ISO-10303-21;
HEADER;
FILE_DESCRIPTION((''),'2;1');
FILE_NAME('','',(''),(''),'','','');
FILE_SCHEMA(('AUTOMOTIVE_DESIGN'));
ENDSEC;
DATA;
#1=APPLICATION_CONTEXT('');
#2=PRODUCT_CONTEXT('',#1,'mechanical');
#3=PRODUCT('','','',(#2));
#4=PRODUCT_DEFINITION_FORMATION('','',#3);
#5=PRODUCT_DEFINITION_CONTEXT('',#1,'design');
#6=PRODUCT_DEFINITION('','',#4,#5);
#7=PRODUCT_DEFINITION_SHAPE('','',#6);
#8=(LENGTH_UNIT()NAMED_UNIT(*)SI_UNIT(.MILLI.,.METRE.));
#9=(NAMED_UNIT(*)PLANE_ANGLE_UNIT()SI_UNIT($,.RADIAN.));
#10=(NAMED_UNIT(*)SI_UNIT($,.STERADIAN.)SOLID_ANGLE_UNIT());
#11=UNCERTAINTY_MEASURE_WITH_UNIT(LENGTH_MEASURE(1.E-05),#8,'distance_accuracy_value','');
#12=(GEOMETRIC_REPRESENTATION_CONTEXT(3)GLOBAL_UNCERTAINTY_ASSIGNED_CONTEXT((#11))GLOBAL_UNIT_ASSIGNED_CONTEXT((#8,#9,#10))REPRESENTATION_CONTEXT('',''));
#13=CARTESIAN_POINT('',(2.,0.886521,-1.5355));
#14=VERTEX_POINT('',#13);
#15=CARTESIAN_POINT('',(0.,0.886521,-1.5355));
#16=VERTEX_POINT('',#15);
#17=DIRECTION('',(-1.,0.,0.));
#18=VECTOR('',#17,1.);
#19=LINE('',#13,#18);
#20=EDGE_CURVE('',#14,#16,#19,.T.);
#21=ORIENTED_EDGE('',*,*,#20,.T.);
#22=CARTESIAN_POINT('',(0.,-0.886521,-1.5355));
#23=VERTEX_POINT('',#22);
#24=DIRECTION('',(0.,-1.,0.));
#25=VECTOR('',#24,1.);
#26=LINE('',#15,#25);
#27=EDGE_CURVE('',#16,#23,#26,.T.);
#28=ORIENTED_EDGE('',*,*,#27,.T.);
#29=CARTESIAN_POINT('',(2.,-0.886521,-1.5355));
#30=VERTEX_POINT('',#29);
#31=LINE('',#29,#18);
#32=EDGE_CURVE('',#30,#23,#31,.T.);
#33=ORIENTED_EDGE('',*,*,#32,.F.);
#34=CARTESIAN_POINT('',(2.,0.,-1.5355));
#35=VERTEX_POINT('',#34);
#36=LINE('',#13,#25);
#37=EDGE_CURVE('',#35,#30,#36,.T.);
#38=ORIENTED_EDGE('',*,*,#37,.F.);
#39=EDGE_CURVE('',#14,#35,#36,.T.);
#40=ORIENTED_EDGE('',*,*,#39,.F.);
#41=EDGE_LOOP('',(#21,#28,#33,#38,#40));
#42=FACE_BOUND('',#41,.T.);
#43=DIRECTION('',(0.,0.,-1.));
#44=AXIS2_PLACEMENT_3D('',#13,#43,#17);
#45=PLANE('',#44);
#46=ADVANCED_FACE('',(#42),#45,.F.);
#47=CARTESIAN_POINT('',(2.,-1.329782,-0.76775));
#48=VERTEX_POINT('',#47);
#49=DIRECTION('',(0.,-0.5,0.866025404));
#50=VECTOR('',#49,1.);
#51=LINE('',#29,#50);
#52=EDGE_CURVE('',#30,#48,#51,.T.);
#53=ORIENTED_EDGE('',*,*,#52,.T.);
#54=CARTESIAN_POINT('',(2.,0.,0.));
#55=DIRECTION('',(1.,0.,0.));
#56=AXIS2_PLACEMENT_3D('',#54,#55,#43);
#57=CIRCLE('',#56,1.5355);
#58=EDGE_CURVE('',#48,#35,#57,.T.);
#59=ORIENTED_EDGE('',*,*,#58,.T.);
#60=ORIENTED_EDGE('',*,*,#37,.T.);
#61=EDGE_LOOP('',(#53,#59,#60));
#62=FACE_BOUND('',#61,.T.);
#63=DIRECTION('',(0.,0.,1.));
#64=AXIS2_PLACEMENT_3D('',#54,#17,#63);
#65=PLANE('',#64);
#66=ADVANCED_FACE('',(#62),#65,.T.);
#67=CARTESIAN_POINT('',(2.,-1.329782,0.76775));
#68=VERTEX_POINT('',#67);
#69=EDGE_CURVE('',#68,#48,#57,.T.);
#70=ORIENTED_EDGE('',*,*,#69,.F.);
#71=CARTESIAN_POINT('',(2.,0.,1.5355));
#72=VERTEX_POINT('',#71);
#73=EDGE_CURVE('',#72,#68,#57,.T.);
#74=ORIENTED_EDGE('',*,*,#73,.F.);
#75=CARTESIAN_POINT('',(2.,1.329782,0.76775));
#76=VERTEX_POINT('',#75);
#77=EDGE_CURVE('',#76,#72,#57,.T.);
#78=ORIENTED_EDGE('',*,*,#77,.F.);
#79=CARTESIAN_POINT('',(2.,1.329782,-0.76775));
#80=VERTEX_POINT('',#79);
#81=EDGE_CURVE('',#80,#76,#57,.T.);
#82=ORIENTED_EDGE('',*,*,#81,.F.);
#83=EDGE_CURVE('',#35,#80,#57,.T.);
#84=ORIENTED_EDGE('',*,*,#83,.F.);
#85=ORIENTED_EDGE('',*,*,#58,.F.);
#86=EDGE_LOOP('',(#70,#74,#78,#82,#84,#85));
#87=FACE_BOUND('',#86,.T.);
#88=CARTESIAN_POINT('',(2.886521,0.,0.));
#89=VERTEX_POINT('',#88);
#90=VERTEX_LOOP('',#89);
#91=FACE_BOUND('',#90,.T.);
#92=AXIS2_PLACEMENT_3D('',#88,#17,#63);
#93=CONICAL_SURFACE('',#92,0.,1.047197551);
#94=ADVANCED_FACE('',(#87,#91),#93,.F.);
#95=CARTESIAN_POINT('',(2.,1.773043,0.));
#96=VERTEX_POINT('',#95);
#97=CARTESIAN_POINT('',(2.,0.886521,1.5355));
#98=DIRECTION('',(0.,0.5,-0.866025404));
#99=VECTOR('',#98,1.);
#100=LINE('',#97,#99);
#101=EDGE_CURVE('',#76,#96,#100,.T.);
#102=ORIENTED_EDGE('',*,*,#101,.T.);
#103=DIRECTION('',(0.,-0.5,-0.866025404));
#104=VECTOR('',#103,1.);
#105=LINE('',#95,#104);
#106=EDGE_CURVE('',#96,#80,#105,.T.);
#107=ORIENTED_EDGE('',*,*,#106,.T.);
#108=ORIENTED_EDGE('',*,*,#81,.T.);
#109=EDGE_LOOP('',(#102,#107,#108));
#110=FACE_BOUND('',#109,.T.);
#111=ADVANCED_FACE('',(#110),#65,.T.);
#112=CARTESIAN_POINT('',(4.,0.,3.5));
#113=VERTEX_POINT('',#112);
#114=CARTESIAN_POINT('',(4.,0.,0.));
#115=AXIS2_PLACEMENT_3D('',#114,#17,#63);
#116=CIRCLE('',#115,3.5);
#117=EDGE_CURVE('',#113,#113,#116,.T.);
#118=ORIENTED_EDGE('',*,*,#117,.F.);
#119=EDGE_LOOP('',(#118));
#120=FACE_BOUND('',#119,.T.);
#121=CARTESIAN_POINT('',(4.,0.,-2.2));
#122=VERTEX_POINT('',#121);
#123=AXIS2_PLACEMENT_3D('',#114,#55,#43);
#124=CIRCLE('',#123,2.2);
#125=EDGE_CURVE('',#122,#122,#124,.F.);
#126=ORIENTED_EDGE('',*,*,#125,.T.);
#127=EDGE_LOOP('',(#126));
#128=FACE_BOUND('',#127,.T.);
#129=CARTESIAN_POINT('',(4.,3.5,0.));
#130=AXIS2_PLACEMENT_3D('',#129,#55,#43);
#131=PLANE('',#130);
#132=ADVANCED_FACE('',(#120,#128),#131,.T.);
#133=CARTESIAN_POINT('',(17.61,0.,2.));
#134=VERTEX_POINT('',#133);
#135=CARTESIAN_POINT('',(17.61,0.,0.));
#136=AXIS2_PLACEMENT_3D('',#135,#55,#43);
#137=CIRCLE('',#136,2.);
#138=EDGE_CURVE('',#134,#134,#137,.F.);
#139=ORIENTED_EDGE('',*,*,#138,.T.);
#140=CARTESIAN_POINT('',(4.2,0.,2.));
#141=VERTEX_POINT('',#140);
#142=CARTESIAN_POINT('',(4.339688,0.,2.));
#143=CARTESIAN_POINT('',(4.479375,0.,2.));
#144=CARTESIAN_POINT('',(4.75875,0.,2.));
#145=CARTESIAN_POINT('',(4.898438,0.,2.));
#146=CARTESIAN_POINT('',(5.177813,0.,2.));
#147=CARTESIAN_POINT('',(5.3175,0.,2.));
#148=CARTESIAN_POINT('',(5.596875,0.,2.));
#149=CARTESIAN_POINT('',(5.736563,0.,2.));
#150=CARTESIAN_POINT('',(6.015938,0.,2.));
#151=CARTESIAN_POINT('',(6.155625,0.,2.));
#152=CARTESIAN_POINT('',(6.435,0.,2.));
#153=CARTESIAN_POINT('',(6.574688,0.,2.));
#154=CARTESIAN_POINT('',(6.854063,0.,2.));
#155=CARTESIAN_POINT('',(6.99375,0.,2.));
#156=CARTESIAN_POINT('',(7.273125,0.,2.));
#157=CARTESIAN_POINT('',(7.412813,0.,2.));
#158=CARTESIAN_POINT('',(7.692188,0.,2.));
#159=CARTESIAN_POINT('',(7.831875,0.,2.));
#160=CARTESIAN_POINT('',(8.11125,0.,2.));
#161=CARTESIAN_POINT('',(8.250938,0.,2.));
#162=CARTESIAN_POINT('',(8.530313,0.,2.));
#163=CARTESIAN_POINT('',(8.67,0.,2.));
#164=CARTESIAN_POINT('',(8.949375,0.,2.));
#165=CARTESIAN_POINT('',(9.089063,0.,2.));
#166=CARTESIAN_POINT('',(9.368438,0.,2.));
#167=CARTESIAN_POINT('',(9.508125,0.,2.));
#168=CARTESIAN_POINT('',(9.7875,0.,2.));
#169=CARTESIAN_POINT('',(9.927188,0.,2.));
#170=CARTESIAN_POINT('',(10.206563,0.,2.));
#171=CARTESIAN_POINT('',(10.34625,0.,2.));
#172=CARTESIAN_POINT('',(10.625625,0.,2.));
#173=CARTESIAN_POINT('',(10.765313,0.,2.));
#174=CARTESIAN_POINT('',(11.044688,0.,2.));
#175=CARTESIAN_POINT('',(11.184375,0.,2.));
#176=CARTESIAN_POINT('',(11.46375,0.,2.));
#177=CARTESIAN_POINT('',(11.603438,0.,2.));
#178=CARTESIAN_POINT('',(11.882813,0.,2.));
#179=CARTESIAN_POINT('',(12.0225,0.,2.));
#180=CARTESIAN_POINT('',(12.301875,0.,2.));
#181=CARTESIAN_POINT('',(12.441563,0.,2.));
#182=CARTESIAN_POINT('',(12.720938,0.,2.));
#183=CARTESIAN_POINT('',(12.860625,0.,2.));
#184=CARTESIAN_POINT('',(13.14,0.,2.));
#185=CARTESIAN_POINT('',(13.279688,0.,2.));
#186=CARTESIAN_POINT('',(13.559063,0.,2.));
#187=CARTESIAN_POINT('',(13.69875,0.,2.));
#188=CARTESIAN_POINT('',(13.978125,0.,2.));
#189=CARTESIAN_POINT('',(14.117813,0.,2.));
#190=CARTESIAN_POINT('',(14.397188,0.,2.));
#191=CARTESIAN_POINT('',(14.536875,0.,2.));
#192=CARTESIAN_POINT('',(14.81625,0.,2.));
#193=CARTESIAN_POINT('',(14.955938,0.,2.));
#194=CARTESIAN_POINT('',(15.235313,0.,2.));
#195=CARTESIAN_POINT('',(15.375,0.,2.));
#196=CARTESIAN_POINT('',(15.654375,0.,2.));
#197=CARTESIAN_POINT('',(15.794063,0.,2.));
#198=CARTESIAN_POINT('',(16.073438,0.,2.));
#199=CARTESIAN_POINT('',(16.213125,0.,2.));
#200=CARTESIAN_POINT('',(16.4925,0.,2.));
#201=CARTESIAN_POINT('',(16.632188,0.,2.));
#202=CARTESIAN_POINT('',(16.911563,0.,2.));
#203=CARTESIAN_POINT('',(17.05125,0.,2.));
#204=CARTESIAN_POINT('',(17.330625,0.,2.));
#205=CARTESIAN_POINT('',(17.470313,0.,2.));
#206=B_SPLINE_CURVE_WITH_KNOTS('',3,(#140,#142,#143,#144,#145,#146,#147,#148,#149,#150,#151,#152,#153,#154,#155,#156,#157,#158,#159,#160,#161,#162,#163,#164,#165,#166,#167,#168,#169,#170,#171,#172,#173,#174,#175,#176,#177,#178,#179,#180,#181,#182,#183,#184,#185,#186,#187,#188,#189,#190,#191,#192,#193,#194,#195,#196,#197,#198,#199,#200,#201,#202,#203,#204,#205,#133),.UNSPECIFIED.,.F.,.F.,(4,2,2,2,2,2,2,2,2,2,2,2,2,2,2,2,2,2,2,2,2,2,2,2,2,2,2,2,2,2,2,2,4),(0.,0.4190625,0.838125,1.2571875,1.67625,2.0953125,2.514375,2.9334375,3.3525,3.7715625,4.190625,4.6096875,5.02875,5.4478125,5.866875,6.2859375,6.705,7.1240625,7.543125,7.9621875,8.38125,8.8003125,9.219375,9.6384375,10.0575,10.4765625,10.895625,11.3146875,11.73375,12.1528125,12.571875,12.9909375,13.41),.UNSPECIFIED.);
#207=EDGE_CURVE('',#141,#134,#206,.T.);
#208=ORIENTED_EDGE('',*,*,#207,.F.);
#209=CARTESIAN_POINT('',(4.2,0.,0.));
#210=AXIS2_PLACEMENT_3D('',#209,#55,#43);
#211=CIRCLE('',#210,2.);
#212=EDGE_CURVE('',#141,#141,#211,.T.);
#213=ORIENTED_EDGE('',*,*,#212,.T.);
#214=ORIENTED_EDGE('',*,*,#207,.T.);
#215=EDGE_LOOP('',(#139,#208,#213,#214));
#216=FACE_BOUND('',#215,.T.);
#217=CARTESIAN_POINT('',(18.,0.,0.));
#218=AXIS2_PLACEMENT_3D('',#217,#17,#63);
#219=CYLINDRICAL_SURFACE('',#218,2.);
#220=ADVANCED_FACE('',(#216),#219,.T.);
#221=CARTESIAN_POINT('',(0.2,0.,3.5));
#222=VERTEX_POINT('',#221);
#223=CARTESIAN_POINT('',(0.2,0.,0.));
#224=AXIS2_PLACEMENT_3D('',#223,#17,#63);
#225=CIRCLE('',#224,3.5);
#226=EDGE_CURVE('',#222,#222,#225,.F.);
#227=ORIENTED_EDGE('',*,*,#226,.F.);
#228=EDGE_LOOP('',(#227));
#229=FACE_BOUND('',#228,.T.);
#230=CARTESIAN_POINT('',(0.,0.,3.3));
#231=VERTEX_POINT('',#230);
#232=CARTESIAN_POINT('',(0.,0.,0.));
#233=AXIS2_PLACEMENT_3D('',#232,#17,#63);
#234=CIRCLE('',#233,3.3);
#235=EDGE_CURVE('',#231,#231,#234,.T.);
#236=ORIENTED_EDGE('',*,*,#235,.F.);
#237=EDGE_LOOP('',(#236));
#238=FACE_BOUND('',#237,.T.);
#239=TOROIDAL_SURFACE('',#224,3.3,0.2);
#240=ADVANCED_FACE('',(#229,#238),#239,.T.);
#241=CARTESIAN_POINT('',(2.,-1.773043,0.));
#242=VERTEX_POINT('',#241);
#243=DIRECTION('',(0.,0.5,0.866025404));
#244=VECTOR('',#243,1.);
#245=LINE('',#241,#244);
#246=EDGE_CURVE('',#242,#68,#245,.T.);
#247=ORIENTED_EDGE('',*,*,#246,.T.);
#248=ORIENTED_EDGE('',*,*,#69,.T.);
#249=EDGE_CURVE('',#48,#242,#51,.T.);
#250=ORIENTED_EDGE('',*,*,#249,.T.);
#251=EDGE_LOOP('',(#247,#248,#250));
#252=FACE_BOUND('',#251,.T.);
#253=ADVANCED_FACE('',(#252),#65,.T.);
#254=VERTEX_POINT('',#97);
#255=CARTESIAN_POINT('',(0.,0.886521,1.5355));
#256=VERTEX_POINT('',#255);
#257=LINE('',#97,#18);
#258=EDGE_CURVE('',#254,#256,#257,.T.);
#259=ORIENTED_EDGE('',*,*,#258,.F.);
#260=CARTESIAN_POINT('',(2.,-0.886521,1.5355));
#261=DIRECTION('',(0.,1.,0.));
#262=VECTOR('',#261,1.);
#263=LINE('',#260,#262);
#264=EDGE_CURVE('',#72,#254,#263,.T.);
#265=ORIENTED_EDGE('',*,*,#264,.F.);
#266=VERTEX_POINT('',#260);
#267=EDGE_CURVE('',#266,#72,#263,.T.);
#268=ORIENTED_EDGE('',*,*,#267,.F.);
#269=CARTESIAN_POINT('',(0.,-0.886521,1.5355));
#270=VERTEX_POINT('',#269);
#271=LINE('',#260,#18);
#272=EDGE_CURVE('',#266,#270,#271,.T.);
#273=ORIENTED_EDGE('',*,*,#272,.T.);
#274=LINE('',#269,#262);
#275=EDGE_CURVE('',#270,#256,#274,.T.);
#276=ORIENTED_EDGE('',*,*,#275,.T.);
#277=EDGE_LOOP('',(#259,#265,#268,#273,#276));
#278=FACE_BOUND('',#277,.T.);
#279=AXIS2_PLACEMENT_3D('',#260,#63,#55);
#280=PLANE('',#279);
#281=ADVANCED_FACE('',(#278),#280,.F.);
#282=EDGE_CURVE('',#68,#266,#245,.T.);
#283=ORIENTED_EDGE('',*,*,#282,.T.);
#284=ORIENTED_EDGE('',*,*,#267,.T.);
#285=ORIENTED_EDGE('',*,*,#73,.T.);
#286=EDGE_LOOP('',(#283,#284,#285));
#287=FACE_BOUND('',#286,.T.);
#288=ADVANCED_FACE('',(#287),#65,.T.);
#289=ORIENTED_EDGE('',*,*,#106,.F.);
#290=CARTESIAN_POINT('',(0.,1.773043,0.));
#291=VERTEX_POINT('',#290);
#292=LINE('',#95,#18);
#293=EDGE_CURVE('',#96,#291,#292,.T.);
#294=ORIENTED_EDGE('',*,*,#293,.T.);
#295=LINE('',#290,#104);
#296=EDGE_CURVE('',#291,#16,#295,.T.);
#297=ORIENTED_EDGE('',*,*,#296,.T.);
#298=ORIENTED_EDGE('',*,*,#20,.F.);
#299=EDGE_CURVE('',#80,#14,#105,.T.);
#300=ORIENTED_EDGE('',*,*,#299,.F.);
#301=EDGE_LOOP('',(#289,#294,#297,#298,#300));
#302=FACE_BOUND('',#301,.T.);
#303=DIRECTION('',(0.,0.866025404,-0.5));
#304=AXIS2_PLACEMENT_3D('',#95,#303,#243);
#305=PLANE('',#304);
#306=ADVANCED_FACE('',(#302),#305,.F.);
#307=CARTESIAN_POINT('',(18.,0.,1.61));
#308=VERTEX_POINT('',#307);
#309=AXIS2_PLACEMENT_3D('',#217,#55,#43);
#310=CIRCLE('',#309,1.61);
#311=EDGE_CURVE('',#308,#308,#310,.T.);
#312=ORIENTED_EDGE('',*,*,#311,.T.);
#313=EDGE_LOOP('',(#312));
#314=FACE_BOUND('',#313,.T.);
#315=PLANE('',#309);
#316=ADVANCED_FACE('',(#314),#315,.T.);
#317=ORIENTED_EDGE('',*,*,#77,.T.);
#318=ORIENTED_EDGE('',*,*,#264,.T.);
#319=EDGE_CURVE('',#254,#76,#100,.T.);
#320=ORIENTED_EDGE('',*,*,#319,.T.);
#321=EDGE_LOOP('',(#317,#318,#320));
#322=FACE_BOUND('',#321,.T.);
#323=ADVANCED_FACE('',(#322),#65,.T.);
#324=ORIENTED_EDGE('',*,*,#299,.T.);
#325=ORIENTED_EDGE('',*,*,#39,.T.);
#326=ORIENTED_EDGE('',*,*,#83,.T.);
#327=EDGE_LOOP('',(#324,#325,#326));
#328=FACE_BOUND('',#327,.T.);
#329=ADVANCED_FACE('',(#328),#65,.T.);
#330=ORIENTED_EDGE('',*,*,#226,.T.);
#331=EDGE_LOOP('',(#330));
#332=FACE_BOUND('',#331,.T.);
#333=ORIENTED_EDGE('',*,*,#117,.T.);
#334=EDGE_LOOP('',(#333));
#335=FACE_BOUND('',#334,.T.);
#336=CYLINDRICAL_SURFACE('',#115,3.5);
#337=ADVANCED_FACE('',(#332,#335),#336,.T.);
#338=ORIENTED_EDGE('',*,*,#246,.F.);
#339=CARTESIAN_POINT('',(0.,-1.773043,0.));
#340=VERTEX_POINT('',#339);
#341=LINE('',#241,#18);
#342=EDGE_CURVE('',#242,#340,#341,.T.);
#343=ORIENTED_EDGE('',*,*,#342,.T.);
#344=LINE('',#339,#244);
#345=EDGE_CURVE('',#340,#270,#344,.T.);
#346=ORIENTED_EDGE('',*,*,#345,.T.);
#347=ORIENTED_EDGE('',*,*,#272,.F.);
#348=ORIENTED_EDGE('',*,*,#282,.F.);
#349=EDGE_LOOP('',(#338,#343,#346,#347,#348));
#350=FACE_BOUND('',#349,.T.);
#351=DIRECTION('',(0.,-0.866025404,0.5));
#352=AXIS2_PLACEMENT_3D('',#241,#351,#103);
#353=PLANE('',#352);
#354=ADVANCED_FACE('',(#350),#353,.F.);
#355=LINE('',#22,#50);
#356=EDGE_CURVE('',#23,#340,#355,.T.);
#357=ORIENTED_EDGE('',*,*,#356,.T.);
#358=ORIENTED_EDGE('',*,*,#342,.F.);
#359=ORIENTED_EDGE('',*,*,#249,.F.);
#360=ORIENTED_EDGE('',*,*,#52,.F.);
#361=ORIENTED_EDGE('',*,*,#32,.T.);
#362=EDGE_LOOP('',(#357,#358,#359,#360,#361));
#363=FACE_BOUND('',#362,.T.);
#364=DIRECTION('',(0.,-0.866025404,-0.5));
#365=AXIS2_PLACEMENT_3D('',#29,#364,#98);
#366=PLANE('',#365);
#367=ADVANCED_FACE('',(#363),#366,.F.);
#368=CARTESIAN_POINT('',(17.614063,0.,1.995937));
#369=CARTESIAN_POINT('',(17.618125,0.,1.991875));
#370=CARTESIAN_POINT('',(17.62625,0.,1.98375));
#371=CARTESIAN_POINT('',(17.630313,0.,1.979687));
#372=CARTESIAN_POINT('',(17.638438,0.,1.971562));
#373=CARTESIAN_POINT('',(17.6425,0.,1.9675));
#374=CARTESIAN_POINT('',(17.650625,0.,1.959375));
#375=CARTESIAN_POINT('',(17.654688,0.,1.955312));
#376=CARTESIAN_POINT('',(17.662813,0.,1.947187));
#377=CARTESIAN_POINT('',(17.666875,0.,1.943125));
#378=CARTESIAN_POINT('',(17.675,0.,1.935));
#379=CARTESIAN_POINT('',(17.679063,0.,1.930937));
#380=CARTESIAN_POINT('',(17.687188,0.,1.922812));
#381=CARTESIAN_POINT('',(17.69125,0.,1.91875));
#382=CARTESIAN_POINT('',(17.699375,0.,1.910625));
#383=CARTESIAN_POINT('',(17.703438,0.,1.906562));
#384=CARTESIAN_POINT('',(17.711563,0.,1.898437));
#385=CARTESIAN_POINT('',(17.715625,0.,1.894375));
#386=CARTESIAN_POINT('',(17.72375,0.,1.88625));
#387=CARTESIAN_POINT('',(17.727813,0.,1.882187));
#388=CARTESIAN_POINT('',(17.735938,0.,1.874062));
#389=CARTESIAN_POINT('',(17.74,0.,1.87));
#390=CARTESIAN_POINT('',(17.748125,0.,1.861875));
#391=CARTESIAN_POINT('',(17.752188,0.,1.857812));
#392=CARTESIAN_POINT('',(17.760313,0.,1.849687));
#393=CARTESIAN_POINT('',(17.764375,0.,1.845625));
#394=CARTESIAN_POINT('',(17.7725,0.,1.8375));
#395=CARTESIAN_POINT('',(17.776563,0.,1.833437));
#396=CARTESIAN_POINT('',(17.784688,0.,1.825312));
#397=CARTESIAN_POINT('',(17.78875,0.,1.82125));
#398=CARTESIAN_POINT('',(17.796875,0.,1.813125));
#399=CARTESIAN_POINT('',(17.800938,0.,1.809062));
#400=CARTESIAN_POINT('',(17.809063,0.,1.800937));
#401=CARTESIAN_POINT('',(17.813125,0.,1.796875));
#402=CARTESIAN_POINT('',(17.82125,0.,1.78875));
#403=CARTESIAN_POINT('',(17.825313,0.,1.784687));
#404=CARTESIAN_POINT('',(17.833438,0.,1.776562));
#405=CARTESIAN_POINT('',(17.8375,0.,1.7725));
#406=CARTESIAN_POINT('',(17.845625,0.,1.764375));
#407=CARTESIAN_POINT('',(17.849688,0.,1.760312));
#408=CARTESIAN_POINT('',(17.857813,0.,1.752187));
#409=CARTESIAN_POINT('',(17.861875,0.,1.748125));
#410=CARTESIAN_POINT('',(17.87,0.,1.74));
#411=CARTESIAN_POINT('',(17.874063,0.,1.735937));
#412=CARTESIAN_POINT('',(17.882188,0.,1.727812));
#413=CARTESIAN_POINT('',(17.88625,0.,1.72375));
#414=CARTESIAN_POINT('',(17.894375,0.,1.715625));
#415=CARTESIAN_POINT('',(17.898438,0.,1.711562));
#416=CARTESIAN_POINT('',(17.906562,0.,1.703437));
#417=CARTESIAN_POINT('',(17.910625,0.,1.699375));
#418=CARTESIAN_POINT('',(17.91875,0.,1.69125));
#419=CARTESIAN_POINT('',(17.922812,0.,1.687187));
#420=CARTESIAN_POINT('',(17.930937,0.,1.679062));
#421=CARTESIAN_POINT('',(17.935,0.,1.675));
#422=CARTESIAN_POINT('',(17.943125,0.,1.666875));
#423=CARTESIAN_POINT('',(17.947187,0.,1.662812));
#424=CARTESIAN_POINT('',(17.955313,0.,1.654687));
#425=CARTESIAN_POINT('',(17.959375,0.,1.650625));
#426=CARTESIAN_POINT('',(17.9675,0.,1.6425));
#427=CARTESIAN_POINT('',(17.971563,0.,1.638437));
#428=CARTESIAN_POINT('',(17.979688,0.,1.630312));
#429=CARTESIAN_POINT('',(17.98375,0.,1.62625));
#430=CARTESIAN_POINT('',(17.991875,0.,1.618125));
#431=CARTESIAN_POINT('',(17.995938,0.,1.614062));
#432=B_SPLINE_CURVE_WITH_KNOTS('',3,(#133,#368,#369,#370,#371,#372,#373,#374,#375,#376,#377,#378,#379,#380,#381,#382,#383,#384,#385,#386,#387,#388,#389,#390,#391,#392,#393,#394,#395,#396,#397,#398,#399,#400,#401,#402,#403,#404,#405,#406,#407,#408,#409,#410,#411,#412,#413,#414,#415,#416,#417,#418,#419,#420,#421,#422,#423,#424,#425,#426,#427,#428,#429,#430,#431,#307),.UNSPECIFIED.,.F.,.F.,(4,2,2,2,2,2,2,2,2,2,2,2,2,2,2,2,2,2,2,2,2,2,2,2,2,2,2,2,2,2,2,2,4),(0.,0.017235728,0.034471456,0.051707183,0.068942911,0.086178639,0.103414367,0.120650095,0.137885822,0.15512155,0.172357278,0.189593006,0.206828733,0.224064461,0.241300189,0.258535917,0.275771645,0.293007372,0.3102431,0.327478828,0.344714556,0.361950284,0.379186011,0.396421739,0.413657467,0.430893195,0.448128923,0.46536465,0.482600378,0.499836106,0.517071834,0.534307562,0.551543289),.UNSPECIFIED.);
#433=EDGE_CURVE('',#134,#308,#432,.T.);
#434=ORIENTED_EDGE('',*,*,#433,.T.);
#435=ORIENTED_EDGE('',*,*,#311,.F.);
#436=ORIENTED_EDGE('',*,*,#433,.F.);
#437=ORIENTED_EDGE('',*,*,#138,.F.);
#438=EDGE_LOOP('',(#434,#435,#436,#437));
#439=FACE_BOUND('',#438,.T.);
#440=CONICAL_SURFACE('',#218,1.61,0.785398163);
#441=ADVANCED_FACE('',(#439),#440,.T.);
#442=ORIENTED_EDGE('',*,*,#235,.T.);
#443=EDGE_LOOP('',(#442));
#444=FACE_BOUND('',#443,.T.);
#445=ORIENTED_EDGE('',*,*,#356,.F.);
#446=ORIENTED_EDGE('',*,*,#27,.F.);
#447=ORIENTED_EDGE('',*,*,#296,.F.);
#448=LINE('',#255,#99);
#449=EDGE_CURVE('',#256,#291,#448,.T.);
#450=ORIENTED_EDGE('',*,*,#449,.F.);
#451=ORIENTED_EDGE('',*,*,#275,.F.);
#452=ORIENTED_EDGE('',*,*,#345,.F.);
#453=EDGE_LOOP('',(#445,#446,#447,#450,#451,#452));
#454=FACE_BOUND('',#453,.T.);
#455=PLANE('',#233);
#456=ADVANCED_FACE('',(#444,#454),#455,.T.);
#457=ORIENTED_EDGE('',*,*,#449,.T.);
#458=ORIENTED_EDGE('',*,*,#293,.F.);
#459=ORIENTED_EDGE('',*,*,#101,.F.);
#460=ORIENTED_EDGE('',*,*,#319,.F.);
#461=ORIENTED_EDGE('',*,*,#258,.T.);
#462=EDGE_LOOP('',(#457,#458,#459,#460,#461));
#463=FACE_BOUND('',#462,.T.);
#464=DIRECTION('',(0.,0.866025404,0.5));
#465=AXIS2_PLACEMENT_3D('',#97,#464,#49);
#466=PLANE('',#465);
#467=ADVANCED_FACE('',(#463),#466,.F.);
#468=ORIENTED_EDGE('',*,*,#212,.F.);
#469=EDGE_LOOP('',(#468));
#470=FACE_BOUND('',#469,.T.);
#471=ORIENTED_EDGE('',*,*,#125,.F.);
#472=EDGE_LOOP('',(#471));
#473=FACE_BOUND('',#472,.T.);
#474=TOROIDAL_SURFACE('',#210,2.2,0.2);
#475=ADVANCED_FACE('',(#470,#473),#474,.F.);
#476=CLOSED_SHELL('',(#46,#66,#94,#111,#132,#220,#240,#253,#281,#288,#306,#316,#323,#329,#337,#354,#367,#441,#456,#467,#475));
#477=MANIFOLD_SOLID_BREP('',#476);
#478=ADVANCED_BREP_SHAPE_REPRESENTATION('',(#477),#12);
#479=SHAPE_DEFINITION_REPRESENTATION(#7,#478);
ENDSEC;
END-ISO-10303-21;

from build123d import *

# Parameters (mm, degrees)
ESQUISSE1_W             = 4
ESQUISSE1_H             = 3.5
ESQUISSE2_R             = 2
BOSS_EXTRU_1_DEPTH      = 14
ENL_V_MAT_EXTRU_1_DEPTH = 2
CHANFREIN1_SIZE         = 0.39
CONG_1_R                = 0.2


with BuildPart() as part:
    # Esquisse1 → Révolution1 (revolve)
    with BuildSketch(Plane(origin=(0, 0, 0), x_dir=(-1, 0, 0), z_dir=(0, 0, -1)), mode=Mode.PRIVATE) as r_volution1_sk:
        with Locations((-2, 1.75)):
            Rectangle(ESQUISSE1_W, ESQUISSE1_H)
    revolve(r_volution1_sk.sketch.rotate(Axis((4, 0, 0), (-1, 0, 0)), 270), axis=Axis((4, 0, 0), (-1, 0, 0)))

    # Esquisse2 → Boss.-Extru.1 (add)
    with BuildSketch(Plane(origin=(4, 0, 0), x_dir=(0, 0, -1), z_dir=(1, 0, 0))):
        with Locations(Location((0, 0, 0), (0, 0, 180))):
            Circle(ESQUISSE2_R)
    extrude(amount=BOSS_EXTRU_1_DEPTH)

    # Esquisse3 → Enlèv. mat.-Extru.1 (cut)
    with BuildSketch(Plane.ZY):
        Polygon((0, -1.773042677), (1.5355, -0.886521338), (1.5355, 0.886521338), (0, 1.773042677), (-1.5355, 0.886521338), (-1.5355, -0.886521338), align=None)
    extrude(amount=-ENL_V_MAT_EXTRU_1_DEPTH, mode=Mode.SUBTRACT)

    # Esquisse4 → Enlèvement de matière-Révolution1 (revolve, cut)
    with BuildSketch(Plane.XY, mode=Mode.PRIVATE) as enl_vement_de_mati_re_r_volution1_sk:
        Polygon((2, 1.5355), (2, 0), (2.886521338, 0), align=None)
    revolve(enl_vement_de_mati_re_r_volution1_sk.sketch.rotate(Axis((2, 0, 0), (1, 0, 0)), 90), axis=Axis((2, 0, 0), (1, 0, 0)), mode=Mode.SUBTRACT)

    # Chanfrein1
    chanfrein1_edges = [part.edges().sort_by_distance(p)[0] for p in [
        (18, 0, -2),
    ]]
    chamfer(chanfrein1_edges, length=CHANFREIN1_SIZE)

    # Congé1
    cong_1_edges = [part.edges().sort_by_distance(p)[0] for p in [
        (0, 0, -3.5),
        (4, 0, -2),
    ]]
    fillet(cong_1_edges, radius=CONG_1_R)


solid = part.part
